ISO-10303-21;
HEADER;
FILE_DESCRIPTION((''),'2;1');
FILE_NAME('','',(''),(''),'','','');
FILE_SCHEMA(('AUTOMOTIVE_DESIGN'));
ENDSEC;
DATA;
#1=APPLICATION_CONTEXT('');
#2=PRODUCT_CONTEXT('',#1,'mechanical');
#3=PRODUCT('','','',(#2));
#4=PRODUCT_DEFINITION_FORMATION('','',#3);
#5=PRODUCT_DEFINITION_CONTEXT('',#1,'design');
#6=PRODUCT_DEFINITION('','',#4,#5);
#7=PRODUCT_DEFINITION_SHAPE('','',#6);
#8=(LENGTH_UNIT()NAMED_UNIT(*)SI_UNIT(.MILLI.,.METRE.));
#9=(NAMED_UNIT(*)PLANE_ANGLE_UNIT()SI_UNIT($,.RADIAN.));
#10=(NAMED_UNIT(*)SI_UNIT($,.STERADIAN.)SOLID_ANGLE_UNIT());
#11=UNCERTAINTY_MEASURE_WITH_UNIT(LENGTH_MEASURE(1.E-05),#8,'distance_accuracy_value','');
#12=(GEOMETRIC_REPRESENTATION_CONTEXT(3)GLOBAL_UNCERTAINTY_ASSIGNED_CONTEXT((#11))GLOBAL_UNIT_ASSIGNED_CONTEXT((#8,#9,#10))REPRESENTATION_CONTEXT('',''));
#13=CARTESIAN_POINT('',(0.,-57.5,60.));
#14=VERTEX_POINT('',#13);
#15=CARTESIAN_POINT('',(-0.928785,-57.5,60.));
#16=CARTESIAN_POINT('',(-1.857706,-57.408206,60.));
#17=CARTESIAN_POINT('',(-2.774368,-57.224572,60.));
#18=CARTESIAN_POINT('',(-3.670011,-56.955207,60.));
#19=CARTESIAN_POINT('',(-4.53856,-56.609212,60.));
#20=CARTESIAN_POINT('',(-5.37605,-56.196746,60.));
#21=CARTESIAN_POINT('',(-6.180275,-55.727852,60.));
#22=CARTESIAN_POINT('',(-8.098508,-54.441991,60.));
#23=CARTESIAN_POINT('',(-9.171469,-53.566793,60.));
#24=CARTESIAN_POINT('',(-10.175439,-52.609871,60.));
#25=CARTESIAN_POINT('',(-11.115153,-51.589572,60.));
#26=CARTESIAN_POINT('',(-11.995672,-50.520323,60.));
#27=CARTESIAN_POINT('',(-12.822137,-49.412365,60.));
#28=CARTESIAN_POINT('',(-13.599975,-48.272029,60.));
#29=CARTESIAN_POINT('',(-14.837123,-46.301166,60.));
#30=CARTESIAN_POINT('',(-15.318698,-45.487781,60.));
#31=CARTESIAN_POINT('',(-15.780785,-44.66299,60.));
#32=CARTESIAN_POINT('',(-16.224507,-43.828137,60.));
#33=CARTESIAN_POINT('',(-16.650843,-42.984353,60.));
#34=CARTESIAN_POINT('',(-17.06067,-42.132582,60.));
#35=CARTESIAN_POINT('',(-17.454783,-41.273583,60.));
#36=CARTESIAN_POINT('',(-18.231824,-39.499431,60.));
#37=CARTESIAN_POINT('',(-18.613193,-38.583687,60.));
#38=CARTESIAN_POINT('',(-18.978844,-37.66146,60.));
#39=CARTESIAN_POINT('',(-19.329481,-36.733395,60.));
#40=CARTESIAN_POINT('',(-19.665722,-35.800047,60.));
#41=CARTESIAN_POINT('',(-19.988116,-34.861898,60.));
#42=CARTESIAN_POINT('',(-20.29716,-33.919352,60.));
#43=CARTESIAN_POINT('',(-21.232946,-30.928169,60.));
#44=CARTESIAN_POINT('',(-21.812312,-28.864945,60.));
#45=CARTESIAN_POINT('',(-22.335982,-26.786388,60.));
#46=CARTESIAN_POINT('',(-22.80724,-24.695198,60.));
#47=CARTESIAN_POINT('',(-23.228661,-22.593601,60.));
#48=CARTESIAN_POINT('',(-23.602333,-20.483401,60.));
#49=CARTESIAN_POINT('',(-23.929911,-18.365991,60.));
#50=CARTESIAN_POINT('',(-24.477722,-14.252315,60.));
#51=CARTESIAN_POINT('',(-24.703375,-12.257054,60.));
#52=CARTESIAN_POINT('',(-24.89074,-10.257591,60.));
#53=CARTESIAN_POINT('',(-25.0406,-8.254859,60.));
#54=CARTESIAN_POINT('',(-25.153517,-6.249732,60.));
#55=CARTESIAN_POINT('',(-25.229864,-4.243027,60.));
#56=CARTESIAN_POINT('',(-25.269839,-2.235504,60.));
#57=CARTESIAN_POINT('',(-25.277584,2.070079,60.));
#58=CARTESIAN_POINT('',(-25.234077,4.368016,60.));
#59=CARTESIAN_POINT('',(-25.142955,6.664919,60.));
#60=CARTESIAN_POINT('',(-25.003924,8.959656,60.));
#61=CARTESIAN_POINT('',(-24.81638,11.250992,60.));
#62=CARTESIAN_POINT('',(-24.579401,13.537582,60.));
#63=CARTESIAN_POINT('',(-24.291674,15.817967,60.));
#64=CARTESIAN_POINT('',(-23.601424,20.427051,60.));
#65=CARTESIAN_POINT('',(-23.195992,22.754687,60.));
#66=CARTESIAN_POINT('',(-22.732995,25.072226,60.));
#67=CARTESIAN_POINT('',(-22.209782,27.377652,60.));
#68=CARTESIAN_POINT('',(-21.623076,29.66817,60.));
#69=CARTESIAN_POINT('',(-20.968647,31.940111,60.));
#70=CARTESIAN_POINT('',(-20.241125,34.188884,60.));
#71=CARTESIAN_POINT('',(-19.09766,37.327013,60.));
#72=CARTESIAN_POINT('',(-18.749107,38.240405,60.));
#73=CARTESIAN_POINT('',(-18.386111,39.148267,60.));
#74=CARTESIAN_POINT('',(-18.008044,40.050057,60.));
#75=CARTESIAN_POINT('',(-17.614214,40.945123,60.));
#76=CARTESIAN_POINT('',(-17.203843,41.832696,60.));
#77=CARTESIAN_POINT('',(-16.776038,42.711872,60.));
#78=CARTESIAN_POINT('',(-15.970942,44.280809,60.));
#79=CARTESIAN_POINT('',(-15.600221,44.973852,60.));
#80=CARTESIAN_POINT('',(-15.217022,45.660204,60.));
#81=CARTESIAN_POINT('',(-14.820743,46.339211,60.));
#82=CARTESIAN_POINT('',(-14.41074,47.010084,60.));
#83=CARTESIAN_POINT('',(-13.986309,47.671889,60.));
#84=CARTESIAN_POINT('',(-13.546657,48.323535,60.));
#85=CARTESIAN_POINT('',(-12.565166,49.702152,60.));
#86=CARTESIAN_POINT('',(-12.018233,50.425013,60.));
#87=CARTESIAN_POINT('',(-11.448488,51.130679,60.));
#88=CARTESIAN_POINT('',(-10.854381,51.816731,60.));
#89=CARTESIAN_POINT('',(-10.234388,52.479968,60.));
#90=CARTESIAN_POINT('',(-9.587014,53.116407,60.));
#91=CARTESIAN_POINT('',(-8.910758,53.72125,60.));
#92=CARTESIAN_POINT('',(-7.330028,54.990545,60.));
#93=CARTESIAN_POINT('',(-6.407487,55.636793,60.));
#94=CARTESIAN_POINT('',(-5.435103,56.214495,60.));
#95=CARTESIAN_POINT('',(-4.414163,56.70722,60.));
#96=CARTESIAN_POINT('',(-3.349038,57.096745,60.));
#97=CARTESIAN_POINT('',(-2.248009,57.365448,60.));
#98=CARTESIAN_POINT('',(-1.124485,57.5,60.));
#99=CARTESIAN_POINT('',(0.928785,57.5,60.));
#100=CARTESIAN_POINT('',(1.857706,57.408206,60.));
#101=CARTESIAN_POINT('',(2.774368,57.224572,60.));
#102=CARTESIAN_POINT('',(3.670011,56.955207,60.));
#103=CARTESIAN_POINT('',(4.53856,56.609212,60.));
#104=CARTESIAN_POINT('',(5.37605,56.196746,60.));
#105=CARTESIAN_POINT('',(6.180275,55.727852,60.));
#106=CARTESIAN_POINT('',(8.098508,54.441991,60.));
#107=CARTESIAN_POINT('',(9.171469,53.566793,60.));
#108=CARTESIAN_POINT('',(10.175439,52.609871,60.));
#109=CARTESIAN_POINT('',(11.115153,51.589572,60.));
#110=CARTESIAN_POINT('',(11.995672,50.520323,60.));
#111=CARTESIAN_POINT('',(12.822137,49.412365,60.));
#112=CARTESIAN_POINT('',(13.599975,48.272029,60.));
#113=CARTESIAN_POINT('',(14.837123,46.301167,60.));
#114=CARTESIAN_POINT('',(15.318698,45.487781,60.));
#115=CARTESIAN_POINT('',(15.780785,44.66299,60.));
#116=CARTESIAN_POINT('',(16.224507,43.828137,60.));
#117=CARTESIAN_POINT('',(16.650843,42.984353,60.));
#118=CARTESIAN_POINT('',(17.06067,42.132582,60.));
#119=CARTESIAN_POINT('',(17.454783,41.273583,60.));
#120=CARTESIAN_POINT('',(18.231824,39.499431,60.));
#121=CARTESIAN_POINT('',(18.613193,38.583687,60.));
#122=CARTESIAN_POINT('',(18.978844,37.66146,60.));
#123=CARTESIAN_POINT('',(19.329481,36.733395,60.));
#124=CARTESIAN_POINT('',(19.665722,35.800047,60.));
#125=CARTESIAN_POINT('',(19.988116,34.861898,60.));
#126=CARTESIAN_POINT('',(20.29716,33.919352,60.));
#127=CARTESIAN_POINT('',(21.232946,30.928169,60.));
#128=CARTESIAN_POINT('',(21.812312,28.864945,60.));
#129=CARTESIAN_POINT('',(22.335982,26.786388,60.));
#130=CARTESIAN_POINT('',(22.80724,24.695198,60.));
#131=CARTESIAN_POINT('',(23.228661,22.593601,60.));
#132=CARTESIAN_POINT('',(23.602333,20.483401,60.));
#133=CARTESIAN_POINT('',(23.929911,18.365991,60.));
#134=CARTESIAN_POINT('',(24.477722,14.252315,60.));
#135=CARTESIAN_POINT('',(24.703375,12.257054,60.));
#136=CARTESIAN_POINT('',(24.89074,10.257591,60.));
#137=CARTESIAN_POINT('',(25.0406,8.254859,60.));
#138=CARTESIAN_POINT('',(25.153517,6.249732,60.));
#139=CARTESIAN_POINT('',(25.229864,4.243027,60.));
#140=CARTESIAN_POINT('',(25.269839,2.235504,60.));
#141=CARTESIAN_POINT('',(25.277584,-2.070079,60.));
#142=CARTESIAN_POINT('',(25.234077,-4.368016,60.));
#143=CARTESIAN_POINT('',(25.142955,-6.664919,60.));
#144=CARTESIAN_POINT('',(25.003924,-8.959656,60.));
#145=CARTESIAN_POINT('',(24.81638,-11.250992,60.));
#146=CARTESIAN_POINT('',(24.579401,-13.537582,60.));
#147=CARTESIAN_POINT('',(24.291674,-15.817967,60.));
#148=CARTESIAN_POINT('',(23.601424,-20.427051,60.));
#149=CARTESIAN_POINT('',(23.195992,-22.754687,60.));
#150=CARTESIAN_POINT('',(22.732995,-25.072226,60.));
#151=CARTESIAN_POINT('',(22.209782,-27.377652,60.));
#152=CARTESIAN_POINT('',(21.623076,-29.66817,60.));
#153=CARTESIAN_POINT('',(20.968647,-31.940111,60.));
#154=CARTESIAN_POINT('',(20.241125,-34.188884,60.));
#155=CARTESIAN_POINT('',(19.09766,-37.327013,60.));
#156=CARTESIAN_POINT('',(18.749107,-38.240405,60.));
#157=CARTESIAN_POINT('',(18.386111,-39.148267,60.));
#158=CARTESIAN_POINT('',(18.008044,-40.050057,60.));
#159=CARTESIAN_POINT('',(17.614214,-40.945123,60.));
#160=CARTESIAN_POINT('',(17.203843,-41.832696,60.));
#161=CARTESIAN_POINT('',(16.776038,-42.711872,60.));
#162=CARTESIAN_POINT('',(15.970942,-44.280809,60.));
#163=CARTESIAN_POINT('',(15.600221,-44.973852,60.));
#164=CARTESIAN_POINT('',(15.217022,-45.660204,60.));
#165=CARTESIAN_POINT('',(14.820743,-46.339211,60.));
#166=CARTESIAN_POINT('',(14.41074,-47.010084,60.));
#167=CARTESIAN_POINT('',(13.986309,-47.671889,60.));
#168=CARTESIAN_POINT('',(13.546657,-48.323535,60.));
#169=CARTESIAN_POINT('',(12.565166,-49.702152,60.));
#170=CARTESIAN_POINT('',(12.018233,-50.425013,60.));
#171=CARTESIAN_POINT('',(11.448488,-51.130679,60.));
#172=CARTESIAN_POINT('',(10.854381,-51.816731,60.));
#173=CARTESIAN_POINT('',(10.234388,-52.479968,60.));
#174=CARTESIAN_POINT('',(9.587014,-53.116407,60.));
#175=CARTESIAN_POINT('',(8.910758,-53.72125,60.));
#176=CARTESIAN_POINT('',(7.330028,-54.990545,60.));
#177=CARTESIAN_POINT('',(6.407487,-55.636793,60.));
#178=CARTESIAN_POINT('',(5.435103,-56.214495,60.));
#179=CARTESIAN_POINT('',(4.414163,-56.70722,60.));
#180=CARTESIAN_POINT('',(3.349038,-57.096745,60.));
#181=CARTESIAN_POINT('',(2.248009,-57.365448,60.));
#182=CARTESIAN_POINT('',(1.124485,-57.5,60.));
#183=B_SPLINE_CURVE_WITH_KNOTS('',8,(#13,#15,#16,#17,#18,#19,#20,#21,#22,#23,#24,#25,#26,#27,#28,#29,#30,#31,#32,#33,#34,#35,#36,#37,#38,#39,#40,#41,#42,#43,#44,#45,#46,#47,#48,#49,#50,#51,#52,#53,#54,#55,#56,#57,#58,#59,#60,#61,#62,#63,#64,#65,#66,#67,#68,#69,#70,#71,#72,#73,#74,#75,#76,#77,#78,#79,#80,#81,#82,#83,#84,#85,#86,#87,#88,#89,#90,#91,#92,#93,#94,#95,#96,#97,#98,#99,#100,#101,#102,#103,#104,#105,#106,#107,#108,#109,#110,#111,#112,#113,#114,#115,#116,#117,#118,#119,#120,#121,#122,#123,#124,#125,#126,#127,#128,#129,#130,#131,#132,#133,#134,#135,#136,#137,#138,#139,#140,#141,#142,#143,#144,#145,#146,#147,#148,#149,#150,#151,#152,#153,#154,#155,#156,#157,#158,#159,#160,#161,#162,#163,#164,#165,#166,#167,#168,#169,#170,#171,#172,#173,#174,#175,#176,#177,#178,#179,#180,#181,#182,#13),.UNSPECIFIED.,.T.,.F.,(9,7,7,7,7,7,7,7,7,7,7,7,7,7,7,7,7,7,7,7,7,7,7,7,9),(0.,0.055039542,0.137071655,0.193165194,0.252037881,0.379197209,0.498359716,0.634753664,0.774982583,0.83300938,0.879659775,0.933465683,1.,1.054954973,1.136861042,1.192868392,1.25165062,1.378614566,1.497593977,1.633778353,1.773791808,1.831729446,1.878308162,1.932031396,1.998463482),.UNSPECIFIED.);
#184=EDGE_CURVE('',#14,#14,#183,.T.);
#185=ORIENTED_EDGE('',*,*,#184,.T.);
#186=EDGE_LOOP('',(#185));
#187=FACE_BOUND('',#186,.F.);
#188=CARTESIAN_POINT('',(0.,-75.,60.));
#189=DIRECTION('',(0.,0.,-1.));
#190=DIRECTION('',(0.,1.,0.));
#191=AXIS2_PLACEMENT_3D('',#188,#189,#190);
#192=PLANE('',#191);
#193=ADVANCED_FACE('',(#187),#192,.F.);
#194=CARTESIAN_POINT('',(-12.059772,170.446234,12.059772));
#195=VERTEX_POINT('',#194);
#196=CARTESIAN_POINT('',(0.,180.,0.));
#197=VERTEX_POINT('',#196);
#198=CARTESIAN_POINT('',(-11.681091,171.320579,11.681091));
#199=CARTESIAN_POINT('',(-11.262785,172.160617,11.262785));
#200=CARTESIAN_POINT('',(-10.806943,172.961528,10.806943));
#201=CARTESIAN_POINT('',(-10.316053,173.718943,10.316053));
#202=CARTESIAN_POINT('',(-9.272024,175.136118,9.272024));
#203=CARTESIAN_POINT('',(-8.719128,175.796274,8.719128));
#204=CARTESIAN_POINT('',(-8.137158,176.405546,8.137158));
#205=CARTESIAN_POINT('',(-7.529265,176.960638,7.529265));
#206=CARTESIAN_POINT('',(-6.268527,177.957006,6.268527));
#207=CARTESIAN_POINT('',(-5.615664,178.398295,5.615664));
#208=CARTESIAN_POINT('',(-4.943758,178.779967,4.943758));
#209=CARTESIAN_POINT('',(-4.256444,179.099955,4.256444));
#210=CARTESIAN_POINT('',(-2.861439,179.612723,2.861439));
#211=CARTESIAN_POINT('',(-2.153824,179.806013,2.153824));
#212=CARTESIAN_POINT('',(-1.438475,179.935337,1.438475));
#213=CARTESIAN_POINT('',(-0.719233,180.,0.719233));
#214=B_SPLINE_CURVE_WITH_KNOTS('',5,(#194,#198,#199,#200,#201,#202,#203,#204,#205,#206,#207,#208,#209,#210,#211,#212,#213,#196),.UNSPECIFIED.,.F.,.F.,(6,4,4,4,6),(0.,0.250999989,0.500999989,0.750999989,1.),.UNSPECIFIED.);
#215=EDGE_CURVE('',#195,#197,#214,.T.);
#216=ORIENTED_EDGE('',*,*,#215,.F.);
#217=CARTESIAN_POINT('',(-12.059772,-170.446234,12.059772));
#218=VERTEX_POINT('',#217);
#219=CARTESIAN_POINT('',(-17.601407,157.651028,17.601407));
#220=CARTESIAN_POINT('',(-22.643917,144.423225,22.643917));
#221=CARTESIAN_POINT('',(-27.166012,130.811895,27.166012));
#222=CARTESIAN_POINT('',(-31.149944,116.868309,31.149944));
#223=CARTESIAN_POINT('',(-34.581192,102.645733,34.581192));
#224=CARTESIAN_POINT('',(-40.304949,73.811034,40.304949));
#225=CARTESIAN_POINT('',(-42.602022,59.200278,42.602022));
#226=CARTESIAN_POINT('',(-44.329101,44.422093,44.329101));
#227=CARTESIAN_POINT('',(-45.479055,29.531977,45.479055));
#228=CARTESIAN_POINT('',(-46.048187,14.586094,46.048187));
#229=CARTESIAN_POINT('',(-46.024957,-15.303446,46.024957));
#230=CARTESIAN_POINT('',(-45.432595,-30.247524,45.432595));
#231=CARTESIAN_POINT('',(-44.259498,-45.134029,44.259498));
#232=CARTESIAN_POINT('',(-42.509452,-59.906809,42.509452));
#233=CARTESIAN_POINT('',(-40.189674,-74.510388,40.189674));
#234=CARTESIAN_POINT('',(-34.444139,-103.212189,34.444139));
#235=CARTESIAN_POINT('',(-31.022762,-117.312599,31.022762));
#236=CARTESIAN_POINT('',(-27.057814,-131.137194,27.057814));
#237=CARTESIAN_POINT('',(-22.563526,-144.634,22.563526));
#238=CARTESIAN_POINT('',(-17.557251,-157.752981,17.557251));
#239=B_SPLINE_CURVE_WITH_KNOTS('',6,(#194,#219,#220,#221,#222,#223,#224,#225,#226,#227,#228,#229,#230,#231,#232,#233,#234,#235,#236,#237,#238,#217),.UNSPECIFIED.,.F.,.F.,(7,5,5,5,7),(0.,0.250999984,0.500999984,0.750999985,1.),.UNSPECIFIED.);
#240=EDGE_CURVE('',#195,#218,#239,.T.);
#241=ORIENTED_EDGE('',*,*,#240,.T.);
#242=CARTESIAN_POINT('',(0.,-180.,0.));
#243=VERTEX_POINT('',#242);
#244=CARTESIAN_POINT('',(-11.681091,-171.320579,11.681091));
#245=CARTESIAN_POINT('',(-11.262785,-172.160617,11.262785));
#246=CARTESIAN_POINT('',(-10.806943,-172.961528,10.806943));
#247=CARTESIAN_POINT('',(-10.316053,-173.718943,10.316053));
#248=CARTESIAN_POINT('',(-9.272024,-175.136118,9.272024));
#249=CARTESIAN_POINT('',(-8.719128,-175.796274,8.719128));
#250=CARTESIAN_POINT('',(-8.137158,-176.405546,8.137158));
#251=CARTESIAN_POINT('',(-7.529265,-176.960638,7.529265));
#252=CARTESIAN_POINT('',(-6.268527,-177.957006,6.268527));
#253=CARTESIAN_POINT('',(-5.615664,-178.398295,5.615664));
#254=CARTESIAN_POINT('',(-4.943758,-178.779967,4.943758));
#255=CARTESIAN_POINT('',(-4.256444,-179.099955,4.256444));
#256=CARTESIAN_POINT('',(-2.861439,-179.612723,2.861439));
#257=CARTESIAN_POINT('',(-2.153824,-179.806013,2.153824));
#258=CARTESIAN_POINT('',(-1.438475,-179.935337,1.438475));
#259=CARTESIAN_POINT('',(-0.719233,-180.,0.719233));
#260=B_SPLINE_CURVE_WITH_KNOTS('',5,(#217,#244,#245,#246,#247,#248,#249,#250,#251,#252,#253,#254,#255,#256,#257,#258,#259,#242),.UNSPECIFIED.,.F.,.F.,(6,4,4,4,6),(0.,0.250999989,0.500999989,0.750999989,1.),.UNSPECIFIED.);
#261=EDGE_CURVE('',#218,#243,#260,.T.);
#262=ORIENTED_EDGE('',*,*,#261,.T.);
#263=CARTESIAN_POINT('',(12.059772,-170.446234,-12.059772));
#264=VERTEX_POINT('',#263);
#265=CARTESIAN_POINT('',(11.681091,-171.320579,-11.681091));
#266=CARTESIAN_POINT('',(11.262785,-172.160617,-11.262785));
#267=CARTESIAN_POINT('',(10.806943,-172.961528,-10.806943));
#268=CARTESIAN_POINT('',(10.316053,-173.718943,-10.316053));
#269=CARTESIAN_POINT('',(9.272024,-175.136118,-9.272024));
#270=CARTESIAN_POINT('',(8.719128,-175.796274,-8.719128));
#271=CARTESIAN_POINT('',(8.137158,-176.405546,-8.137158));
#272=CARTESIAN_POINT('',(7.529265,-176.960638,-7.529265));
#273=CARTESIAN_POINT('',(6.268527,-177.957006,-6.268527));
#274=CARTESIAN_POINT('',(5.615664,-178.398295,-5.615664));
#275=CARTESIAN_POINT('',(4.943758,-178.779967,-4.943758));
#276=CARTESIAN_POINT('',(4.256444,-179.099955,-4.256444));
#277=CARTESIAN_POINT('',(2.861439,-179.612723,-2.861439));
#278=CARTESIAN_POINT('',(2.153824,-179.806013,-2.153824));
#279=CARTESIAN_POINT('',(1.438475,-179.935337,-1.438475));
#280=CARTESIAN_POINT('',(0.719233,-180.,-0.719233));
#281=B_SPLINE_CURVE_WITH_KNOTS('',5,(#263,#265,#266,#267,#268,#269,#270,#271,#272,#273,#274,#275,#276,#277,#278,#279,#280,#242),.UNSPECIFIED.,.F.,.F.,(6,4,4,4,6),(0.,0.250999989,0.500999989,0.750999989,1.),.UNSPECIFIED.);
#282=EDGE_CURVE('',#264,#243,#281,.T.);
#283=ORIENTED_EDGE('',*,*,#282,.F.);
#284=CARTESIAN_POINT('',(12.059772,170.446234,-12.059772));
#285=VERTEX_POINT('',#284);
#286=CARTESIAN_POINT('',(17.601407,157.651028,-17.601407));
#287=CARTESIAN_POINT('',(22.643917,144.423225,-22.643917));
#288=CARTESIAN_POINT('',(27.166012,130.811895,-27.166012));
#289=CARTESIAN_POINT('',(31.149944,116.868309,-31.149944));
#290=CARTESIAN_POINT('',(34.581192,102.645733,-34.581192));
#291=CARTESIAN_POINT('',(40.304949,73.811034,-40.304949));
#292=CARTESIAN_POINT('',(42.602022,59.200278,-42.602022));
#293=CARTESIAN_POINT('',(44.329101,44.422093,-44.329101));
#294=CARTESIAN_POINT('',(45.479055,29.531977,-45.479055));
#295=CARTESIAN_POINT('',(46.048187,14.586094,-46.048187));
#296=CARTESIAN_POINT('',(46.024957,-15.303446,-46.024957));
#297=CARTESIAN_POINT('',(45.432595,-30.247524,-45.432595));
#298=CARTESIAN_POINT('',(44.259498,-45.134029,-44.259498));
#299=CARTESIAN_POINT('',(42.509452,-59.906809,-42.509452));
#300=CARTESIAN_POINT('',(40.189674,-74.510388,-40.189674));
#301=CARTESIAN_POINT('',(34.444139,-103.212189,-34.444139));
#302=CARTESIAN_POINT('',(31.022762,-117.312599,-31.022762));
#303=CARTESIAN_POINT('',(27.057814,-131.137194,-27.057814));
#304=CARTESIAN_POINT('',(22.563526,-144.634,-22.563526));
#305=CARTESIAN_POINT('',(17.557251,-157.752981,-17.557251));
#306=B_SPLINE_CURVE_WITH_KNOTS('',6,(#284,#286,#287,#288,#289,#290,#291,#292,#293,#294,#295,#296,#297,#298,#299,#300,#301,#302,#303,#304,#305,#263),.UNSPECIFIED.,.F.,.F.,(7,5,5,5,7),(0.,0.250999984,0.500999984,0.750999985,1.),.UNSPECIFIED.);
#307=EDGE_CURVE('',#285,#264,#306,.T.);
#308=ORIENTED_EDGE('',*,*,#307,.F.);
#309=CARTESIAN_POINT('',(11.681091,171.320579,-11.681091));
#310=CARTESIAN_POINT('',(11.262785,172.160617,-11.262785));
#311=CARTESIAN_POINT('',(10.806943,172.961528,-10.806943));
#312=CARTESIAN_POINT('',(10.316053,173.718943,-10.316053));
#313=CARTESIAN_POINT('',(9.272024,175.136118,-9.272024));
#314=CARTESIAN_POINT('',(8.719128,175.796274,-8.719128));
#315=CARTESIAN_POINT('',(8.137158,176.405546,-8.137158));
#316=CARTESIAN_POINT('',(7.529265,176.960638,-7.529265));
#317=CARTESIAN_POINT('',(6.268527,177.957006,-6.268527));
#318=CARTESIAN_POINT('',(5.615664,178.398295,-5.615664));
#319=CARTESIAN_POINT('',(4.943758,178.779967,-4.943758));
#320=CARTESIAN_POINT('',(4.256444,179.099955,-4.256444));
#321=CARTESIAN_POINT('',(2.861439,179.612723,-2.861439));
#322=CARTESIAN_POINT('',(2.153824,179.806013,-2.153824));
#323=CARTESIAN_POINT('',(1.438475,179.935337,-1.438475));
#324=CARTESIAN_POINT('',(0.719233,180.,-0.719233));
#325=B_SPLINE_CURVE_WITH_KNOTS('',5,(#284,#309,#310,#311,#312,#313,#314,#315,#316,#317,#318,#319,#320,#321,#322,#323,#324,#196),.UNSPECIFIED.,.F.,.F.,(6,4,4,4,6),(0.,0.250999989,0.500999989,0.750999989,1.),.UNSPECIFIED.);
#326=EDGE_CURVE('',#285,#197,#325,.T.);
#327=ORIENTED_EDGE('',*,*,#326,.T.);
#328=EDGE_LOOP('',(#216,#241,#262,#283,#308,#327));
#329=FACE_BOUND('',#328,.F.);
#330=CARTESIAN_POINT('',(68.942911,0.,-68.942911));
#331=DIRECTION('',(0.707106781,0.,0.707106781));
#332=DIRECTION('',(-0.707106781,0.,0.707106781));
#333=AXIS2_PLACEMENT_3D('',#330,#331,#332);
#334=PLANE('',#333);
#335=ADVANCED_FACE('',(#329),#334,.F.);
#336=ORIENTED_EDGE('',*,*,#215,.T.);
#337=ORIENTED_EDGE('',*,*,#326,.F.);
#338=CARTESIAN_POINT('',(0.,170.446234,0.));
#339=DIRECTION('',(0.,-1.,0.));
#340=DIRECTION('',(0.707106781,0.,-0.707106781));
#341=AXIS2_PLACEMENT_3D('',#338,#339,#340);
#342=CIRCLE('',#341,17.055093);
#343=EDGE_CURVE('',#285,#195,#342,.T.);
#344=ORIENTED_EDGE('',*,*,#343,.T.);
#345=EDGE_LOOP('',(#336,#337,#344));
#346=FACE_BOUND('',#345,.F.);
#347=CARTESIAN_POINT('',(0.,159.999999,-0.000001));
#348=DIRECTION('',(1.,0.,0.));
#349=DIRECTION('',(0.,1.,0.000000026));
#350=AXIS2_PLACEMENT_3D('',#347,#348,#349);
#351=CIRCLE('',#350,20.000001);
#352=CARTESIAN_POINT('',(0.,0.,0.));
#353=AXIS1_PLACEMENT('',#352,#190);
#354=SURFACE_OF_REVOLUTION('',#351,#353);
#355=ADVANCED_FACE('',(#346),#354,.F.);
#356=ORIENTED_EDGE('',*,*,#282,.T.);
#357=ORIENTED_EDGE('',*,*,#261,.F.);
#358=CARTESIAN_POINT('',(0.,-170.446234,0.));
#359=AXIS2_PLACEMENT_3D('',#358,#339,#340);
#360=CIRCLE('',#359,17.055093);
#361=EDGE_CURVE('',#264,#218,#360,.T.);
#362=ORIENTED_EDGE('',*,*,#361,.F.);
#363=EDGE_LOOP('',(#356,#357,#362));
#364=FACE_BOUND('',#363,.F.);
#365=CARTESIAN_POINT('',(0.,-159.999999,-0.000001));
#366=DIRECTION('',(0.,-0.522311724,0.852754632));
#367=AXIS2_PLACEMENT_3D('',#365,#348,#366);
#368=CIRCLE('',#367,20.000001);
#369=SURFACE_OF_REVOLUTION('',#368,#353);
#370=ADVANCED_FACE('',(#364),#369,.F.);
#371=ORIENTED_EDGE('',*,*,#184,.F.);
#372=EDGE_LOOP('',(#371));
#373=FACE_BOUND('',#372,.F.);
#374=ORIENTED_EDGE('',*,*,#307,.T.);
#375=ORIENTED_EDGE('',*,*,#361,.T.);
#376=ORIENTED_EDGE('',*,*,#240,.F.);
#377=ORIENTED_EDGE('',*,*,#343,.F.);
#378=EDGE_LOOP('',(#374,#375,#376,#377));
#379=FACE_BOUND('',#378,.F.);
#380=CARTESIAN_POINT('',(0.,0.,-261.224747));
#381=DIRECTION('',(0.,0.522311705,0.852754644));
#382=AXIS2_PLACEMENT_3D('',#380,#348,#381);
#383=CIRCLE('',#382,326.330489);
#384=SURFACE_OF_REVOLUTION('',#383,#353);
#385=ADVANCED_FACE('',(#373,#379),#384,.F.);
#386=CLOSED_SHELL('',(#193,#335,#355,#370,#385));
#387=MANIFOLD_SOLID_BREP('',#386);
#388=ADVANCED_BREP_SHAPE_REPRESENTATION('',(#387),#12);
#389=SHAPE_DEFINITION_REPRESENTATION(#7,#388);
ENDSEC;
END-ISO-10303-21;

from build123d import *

# Parameters (mm, degrees)
F2_W     = 150
F2_H     = 10
F3_DEPTH = 50
F5_DEPTH = 203


with BuildPart() as f1:
    # F0 (on Right) → F1 (revolve)
    with BuildSketch(Plane.YZ):
        with BuildLine():
            ThreePointArc((-170.446234, 17.055093), (-177.448849, 9.774337), (-180, 0))
            Line((-180, 0), (180, 0))
            ThreePointArc((180, 0), (177.448849, 9.774337), (170.446234, 17.055093))
            ThreePointArc((170.446234, 17.055093), (0, 65.105742), (-170.446234, 17.055093))
        make_face()
    revolve(axis=Axis((0, 0, 0), (0, 1, 0)))

    # F2 (on Right) → F3 (cut, symmetric)
    with BuildSketch(Plane.YZ):
        with Locations((0, -65)):
            Rectangle(F2_W, F2_H)
        Polygon((75, 70), (-75, 70), (-75, 60), (0, 60), (75, 60), align=None)
    extrude(amount=F3_DEPTH, both=True, mode=Mode.SUBTRACT)

    # F4 (on Front) → F5 (cut, symmetric)
    with BuildSketch(Plane.XZ):
        Polygon((68.942911, -68.942911), (-68.942911, 68.942911), (-68.942911, -68.942911), align=None)
    extrude(amount=F5_DEPTH, both=True, mode=Mode.SUBTRACT)


solid = f1.part
